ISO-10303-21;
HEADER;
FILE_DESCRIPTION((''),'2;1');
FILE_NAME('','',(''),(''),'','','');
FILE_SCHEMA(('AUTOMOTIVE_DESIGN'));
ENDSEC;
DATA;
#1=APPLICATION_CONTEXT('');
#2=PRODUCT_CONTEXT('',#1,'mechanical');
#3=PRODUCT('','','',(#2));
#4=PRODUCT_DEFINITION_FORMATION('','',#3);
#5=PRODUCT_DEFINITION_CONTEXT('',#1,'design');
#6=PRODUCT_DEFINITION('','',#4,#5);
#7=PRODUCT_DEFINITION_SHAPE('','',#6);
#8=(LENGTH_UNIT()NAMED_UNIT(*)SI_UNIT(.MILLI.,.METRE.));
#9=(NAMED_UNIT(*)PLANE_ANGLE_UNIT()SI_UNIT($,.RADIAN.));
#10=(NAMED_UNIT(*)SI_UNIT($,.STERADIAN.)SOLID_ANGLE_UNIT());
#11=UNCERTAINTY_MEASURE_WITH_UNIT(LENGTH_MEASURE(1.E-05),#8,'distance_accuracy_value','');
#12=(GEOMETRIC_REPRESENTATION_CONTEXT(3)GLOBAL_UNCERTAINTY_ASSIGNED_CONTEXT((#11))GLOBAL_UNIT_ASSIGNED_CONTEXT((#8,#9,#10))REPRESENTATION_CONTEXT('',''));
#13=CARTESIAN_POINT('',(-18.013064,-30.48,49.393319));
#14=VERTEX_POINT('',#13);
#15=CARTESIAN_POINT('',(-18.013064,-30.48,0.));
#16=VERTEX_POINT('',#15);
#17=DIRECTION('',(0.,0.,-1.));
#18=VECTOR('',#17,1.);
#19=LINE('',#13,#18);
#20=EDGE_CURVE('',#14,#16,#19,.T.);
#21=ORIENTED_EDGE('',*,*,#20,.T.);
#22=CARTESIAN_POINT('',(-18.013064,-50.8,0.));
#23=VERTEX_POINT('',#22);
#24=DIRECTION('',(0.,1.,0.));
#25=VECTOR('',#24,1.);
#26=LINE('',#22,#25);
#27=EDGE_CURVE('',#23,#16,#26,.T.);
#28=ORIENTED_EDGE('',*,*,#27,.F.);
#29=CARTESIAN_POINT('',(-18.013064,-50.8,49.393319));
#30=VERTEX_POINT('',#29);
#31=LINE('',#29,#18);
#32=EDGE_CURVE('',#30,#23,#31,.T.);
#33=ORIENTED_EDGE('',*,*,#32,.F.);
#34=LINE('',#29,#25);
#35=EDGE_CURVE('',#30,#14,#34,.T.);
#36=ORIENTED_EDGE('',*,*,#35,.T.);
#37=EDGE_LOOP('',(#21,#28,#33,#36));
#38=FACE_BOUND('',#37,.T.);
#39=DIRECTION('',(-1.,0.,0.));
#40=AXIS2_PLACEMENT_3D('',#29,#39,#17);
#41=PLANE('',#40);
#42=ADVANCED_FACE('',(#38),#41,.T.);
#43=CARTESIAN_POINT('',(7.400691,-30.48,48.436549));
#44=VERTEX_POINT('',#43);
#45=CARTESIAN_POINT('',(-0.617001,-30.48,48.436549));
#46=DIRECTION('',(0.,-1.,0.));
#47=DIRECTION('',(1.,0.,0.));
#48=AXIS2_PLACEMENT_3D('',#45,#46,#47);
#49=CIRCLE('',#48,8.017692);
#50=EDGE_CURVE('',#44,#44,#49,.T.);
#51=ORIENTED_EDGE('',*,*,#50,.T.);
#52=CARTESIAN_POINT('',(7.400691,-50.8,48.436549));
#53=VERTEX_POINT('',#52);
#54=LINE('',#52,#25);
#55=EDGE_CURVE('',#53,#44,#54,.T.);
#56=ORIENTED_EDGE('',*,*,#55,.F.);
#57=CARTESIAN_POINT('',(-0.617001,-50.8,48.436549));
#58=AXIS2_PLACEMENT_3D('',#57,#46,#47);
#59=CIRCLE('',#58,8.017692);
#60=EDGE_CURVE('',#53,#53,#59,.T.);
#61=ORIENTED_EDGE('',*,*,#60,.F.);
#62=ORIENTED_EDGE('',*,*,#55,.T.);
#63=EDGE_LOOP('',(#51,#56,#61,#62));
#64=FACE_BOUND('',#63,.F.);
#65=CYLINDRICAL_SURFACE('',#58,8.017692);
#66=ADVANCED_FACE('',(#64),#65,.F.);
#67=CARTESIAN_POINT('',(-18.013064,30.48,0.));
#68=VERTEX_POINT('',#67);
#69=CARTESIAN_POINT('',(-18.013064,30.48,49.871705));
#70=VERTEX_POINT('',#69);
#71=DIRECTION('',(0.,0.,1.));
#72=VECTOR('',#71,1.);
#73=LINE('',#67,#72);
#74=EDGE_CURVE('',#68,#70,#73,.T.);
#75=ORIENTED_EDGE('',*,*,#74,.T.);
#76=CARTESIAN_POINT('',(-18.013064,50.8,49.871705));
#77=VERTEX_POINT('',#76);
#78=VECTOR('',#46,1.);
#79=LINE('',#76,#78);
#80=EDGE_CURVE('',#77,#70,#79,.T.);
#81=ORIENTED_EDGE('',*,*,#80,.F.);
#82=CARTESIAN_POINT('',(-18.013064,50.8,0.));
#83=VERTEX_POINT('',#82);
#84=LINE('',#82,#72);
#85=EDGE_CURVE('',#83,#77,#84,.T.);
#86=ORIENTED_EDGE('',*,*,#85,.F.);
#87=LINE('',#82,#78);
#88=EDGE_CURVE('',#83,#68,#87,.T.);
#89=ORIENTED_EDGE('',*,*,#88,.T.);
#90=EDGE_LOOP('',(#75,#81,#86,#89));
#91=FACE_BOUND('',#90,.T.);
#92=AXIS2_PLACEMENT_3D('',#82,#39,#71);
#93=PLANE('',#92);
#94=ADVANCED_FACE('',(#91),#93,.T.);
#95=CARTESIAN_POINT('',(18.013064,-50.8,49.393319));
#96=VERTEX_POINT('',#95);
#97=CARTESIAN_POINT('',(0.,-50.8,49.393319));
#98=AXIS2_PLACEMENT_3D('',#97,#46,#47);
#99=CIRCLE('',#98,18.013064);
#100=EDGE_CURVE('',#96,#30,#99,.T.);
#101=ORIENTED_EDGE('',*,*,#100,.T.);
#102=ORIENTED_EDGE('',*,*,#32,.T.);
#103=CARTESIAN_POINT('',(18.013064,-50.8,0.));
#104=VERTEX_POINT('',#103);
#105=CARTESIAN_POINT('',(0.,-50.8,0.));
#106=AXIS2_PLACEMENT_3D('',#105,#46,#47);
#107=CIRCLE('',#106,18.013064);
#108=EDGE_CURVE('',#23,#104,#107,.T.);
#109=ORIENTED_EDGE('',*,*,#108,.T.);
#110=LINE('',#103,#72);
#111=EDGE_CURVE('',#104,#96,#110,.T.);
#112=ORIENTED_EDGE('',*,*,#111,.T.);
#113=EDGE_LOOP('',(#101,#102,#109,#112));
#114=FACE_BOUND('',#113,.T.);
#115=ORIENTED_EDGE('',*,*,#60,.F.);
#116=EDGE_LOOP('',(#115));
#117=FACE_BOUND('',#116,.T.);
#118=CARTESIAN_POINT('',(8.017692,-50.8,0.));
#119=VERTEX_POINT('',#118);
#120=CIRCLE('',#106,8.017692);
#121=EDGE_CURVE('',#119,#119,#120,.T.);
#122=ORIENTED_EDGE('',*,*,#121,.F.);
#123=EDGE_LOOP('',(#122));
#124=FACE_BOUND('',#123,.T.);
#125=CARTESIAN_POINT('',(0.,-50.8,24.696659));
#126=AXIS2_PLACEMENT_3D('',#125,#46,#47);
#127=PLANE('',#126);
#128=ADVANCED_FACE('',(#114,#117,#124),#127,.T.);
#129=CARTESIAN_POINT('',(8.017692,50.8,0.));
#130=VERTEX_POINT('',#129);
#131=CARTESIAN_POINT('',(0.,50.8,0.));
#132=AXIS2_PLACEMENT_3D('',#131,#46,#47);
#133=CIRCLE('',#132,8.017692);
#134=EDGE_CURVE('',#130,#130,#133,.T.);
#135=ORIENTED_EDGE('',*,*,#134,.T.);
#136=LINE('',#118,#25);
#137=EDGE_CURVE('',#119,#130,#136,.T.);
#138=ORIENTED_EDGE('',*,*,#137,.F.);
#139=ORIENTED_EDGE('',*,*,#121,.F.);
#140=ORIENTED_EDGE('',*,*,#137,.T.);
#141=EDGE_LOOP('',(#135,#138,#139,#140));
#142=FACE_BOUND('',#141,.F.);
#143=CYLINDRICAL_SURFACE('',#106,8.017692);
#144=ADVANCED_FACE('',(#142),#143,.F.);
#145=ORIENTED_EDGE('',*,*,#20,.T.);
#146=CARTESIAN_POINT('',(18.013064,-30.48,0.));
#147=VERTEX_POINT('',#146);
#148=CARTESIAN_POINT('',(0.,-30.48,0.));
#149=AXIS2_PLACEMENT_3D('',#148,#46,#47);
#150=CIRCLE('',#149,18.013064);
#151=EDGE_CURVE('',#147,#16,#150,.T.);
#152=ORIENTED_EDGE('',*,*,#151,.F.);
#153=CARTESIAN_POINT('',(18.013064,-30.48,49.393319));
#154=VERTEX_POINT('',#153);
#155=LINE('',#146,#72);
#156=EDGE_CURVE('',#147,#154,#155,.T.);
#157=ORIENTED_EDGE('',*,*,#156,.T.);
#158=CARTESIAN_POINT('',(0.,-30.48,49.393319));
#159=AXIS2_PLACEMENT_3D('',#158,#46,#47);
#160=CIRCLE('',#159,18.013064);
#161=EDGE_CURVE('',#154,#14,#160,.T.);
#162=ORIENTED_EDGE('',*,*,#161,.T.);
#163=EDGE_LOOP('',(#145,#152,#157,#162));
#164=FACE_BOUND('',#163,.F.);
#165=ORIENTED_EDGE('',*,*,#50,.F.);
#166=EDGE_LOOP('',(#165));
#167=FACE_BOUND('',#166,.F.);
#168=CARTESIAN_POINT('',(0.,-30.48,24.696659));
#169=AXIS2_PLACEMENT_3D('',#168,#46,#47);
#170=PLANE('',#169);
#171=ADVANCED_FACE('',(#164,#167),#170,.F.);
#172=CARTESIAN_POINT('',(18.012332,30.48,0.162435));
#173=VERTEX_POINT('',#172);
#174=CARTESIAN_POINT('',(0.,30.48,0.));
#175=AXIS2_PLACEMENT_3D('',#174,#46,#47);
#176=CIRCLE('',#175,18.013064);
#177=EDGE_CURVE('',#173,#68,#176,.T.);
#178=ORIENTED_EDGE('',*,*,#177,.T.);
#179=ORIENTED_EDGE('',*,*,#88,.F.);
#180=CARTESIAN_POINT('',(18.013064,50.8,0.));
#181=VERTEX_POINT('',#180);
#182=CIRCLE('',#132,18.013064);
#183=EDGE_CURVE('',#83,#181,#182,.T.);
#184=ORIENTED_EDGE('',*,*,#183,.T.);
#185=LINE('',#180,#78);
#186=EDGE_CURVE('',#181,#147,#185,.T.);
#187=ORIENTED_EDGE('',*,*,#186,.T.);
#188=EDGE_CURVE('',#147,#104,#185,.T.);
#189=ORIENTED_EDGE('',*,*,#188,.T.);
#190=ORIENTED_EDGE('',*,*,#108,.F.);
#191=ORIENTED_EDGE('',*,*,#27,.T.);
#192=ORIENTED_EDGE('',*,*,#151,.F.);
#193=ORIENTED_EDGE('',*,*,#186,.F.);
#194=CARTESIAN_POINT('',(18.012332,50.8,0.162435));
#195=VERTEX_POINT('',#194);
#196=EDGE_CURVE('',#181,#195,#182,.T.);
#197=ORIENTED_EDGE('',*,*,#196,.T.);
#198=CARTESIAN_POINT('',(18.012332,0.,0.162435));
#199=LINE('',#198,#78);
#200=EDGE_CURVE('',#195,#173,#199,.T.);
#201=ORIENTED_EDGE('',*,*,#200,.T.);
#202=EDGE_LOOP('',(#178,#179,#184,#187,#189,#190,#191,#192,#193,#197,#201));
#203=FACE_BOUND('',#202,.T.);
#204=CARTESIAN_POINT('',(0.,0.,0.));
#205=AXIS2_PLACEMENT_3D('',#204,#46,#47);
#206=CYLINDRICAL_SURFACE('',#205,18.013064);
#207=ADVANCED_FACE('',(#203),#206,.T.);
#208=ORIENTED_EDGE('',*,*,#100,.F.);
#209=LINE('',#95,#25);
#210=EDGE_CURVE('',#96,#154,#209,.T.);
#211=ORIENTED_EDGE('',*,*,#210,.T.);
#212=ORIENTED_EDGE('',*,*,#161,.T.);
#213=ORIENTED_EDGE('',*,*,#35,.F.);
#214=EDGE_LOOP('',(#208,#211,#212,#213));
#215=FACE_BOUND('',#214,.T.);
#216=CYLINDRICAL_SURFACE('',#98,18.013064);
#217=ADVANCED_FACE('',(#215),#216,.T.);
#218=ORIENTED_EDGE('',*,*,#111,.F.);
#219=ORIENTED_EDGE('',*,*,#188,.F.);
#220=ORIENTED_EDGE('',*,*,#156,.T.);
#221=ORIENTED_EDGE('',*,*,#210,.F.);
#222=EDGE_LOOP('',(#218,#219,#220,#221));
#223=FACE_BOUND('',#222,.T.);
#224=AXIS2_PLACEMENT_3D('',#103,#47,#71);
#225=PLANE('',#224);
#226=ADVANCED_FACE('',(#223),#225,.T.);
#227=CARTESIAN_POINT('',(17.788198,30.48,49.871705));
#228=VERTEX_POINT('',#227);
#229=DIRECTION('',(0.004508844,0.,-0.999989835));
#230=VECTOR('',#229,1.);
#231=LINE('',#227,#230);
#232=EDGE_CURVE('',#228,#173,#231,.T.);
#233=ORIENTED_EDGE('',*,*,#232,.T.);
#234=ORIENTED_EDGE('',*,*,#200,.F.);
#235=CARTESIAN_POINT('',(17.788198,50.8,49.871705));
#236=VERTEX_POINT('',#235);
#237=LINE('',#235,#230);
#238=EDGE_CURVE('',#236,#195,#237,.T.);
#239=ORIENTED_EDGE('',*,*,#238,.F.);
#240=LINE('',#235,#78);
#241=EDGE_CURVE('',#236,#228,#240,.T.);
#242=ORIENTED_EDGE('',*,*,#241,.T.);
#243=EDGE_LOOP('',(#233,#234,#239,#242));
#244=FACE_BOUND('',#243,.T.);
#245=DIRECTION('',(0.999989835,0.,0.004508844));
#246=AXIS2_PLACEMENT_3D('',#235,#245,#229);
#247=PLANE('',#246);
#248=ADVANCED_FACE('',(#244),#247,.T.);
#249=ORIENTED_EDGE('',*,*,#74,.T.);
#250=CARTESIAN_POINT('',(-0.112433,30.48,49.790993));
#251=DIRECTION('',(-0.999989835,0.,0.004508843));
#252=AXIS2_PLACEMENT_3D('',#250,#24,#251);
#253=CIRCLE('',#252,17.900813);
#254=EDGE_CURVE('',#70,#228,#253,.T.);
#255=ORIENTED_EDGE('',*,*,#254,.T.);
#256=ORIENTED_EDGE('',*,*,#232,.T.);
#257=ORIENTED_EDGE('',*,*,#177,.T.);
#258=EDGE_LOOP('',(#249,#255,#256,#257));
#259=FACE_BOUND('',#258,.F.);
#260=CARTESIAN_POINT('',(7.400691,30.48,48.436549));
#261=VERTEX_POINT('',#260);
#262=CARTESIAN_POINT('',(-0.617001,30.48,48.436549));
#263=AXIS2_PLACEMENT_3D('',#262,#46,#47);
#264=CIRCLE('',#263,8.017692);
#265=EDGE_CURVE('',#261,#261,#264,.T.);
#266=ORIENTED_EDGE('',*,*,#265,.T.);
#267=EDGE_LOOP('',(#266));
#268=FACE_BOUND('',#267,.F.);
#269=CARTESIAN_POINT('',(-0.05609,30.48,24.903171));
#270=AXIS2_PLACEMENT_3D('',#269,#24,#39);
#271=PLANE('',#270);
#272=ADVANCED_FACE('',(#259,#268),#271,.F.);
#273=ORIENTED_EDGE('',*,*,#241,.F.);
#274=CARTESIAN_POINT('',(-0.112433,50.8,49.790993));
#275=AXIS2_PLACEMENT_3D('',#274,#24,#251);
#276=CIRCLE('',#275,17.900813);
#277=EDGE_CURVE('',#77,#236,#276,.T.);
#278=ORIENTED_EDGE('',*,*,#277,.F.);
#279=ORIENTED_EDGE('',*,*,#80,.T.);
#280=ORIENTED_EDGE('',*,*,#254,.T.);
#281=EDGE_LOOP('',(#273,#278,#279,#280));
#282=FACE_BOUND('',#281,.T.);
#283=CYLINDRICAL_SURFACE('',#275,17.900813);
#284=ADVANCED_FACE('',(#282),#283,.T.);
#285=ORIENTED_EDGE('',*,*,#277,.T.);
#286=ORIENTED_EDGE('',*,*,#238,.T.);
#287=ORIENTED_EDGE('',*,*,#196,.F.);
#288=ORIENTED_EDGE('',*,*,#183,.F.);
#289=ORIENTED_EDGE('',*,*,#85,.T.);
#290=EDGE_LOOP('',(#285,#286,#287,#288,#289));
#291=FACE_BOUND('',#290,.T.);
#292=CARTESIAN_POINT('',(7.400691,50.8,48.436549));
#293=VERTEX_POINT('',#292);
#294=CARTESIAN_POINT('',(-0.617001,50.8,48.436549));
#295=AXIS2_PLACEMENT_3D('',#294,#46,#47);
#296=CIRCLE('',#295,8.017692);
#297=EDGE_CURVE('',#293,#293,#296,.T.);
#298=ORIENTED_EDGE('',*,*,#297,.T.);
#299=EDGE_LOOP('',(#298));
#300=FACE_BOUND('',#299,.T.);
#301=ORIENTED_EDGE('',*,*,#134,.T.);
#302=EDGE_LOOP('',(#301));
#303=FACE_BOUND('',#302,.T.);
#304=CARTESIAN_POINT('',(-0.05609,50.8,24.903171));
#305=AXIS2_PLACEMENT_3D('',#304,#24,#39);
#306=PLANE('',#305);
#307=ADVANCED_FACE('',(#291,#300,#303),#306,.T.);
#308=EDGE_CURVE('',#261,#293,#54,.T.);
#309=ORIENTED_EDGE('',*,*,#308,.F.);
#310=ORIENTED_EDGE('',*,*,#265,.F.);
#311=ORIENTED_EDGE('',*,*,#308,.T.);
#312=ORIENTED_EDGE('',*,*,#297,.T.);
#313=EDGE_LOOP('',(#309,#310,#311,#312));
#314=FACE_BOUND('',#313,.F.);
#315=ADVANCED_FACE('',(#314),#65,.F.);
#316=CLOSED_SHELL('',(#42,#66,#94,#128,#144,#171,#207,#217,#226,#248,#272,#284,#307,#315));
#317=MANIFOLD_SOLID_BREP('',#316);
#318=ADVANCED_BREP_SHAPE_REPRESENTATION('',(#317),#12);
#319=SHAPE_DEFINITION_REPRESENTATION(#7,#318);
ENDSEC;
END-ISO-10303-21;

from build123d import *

# Parameters (mm, degrees)
F0_R          = 18.013064
F1_DEPTH      = 50.8
F1_DEPTH_BACK = 50.8
F3_DEPTH      = 20.32
F5_DEPTH      = 20.32
F6_R          = 8.017692
F7_DEPTH      = 101.601


with BuildPart() as f1:
    # F0 (on Front) → F1 (new body, two sides)
    with BuildSketch(Plane.XZ) as f1_sk:
        Circle(F0_R)
    extrude(amount=F1_DEPTH)
    extrude(f1_sk.sketch, amount=-F1_DEPTH_BACK)

    # F2 (on face) → F3 (join)
    with BuildSketch(Plane.XZ.offset(50.8)):
        Polygon((-18.013064, 49.393319), (-18.013064, 0), (18.013064, 0), (18.013064, 49.393319), (0, 49.393319), align=None)
        with BuildLine():
            Line((18.013064, 0), (-18.013064, 0))
            ThreePointArc((-18.013064, 0), (0, -18.013064), (18.013064, 0))
        make_face()
        with BuildLine():
            ThreePointArc((18.013064, 49.393319), (0, 67.406383), (-18.013064, 49.393319))
            Line((-18.013064, 49.393319), (0, 49.393319))
            Line((0, 49.393319), (18.013064, 49.393319))
        make_face()
    extrude(amount=-F3_DEPTH)

    # F4 (on face) → F5 (join)
    with BuildSketch(Plane(origin=(0, 50.8, 0), x_dir=(-1, 0, 0), z_dir=(0, 1, 0))):
        Polygon((-17.788198, 49.871705), (-18.013064, 0), (18.013064, 0), (18.013064, 49.871705), align=None)
        with BuildLine():
            ThreePointArc((18.013064, 49.871705), (0.112433, 67.691806), (-17.788198, 49.871705))
            Line((-17.788198, 49.871705), (18.013064, 49.871705))
        make_face()
    extrude(amount=-F5_DEPTH)

    # F6 (on face) → F7 (cut, through all)
    with BuildSketch(Plane.XZ.offset(50.8)):
        Circle(F6_R)
        with Locations((-0.617001, 48.436549)):
            Circle(F6_R)
    extrude(amount=-F7_DEPTH, mode=Mode.SUBTRACT)


solid = f1.part
